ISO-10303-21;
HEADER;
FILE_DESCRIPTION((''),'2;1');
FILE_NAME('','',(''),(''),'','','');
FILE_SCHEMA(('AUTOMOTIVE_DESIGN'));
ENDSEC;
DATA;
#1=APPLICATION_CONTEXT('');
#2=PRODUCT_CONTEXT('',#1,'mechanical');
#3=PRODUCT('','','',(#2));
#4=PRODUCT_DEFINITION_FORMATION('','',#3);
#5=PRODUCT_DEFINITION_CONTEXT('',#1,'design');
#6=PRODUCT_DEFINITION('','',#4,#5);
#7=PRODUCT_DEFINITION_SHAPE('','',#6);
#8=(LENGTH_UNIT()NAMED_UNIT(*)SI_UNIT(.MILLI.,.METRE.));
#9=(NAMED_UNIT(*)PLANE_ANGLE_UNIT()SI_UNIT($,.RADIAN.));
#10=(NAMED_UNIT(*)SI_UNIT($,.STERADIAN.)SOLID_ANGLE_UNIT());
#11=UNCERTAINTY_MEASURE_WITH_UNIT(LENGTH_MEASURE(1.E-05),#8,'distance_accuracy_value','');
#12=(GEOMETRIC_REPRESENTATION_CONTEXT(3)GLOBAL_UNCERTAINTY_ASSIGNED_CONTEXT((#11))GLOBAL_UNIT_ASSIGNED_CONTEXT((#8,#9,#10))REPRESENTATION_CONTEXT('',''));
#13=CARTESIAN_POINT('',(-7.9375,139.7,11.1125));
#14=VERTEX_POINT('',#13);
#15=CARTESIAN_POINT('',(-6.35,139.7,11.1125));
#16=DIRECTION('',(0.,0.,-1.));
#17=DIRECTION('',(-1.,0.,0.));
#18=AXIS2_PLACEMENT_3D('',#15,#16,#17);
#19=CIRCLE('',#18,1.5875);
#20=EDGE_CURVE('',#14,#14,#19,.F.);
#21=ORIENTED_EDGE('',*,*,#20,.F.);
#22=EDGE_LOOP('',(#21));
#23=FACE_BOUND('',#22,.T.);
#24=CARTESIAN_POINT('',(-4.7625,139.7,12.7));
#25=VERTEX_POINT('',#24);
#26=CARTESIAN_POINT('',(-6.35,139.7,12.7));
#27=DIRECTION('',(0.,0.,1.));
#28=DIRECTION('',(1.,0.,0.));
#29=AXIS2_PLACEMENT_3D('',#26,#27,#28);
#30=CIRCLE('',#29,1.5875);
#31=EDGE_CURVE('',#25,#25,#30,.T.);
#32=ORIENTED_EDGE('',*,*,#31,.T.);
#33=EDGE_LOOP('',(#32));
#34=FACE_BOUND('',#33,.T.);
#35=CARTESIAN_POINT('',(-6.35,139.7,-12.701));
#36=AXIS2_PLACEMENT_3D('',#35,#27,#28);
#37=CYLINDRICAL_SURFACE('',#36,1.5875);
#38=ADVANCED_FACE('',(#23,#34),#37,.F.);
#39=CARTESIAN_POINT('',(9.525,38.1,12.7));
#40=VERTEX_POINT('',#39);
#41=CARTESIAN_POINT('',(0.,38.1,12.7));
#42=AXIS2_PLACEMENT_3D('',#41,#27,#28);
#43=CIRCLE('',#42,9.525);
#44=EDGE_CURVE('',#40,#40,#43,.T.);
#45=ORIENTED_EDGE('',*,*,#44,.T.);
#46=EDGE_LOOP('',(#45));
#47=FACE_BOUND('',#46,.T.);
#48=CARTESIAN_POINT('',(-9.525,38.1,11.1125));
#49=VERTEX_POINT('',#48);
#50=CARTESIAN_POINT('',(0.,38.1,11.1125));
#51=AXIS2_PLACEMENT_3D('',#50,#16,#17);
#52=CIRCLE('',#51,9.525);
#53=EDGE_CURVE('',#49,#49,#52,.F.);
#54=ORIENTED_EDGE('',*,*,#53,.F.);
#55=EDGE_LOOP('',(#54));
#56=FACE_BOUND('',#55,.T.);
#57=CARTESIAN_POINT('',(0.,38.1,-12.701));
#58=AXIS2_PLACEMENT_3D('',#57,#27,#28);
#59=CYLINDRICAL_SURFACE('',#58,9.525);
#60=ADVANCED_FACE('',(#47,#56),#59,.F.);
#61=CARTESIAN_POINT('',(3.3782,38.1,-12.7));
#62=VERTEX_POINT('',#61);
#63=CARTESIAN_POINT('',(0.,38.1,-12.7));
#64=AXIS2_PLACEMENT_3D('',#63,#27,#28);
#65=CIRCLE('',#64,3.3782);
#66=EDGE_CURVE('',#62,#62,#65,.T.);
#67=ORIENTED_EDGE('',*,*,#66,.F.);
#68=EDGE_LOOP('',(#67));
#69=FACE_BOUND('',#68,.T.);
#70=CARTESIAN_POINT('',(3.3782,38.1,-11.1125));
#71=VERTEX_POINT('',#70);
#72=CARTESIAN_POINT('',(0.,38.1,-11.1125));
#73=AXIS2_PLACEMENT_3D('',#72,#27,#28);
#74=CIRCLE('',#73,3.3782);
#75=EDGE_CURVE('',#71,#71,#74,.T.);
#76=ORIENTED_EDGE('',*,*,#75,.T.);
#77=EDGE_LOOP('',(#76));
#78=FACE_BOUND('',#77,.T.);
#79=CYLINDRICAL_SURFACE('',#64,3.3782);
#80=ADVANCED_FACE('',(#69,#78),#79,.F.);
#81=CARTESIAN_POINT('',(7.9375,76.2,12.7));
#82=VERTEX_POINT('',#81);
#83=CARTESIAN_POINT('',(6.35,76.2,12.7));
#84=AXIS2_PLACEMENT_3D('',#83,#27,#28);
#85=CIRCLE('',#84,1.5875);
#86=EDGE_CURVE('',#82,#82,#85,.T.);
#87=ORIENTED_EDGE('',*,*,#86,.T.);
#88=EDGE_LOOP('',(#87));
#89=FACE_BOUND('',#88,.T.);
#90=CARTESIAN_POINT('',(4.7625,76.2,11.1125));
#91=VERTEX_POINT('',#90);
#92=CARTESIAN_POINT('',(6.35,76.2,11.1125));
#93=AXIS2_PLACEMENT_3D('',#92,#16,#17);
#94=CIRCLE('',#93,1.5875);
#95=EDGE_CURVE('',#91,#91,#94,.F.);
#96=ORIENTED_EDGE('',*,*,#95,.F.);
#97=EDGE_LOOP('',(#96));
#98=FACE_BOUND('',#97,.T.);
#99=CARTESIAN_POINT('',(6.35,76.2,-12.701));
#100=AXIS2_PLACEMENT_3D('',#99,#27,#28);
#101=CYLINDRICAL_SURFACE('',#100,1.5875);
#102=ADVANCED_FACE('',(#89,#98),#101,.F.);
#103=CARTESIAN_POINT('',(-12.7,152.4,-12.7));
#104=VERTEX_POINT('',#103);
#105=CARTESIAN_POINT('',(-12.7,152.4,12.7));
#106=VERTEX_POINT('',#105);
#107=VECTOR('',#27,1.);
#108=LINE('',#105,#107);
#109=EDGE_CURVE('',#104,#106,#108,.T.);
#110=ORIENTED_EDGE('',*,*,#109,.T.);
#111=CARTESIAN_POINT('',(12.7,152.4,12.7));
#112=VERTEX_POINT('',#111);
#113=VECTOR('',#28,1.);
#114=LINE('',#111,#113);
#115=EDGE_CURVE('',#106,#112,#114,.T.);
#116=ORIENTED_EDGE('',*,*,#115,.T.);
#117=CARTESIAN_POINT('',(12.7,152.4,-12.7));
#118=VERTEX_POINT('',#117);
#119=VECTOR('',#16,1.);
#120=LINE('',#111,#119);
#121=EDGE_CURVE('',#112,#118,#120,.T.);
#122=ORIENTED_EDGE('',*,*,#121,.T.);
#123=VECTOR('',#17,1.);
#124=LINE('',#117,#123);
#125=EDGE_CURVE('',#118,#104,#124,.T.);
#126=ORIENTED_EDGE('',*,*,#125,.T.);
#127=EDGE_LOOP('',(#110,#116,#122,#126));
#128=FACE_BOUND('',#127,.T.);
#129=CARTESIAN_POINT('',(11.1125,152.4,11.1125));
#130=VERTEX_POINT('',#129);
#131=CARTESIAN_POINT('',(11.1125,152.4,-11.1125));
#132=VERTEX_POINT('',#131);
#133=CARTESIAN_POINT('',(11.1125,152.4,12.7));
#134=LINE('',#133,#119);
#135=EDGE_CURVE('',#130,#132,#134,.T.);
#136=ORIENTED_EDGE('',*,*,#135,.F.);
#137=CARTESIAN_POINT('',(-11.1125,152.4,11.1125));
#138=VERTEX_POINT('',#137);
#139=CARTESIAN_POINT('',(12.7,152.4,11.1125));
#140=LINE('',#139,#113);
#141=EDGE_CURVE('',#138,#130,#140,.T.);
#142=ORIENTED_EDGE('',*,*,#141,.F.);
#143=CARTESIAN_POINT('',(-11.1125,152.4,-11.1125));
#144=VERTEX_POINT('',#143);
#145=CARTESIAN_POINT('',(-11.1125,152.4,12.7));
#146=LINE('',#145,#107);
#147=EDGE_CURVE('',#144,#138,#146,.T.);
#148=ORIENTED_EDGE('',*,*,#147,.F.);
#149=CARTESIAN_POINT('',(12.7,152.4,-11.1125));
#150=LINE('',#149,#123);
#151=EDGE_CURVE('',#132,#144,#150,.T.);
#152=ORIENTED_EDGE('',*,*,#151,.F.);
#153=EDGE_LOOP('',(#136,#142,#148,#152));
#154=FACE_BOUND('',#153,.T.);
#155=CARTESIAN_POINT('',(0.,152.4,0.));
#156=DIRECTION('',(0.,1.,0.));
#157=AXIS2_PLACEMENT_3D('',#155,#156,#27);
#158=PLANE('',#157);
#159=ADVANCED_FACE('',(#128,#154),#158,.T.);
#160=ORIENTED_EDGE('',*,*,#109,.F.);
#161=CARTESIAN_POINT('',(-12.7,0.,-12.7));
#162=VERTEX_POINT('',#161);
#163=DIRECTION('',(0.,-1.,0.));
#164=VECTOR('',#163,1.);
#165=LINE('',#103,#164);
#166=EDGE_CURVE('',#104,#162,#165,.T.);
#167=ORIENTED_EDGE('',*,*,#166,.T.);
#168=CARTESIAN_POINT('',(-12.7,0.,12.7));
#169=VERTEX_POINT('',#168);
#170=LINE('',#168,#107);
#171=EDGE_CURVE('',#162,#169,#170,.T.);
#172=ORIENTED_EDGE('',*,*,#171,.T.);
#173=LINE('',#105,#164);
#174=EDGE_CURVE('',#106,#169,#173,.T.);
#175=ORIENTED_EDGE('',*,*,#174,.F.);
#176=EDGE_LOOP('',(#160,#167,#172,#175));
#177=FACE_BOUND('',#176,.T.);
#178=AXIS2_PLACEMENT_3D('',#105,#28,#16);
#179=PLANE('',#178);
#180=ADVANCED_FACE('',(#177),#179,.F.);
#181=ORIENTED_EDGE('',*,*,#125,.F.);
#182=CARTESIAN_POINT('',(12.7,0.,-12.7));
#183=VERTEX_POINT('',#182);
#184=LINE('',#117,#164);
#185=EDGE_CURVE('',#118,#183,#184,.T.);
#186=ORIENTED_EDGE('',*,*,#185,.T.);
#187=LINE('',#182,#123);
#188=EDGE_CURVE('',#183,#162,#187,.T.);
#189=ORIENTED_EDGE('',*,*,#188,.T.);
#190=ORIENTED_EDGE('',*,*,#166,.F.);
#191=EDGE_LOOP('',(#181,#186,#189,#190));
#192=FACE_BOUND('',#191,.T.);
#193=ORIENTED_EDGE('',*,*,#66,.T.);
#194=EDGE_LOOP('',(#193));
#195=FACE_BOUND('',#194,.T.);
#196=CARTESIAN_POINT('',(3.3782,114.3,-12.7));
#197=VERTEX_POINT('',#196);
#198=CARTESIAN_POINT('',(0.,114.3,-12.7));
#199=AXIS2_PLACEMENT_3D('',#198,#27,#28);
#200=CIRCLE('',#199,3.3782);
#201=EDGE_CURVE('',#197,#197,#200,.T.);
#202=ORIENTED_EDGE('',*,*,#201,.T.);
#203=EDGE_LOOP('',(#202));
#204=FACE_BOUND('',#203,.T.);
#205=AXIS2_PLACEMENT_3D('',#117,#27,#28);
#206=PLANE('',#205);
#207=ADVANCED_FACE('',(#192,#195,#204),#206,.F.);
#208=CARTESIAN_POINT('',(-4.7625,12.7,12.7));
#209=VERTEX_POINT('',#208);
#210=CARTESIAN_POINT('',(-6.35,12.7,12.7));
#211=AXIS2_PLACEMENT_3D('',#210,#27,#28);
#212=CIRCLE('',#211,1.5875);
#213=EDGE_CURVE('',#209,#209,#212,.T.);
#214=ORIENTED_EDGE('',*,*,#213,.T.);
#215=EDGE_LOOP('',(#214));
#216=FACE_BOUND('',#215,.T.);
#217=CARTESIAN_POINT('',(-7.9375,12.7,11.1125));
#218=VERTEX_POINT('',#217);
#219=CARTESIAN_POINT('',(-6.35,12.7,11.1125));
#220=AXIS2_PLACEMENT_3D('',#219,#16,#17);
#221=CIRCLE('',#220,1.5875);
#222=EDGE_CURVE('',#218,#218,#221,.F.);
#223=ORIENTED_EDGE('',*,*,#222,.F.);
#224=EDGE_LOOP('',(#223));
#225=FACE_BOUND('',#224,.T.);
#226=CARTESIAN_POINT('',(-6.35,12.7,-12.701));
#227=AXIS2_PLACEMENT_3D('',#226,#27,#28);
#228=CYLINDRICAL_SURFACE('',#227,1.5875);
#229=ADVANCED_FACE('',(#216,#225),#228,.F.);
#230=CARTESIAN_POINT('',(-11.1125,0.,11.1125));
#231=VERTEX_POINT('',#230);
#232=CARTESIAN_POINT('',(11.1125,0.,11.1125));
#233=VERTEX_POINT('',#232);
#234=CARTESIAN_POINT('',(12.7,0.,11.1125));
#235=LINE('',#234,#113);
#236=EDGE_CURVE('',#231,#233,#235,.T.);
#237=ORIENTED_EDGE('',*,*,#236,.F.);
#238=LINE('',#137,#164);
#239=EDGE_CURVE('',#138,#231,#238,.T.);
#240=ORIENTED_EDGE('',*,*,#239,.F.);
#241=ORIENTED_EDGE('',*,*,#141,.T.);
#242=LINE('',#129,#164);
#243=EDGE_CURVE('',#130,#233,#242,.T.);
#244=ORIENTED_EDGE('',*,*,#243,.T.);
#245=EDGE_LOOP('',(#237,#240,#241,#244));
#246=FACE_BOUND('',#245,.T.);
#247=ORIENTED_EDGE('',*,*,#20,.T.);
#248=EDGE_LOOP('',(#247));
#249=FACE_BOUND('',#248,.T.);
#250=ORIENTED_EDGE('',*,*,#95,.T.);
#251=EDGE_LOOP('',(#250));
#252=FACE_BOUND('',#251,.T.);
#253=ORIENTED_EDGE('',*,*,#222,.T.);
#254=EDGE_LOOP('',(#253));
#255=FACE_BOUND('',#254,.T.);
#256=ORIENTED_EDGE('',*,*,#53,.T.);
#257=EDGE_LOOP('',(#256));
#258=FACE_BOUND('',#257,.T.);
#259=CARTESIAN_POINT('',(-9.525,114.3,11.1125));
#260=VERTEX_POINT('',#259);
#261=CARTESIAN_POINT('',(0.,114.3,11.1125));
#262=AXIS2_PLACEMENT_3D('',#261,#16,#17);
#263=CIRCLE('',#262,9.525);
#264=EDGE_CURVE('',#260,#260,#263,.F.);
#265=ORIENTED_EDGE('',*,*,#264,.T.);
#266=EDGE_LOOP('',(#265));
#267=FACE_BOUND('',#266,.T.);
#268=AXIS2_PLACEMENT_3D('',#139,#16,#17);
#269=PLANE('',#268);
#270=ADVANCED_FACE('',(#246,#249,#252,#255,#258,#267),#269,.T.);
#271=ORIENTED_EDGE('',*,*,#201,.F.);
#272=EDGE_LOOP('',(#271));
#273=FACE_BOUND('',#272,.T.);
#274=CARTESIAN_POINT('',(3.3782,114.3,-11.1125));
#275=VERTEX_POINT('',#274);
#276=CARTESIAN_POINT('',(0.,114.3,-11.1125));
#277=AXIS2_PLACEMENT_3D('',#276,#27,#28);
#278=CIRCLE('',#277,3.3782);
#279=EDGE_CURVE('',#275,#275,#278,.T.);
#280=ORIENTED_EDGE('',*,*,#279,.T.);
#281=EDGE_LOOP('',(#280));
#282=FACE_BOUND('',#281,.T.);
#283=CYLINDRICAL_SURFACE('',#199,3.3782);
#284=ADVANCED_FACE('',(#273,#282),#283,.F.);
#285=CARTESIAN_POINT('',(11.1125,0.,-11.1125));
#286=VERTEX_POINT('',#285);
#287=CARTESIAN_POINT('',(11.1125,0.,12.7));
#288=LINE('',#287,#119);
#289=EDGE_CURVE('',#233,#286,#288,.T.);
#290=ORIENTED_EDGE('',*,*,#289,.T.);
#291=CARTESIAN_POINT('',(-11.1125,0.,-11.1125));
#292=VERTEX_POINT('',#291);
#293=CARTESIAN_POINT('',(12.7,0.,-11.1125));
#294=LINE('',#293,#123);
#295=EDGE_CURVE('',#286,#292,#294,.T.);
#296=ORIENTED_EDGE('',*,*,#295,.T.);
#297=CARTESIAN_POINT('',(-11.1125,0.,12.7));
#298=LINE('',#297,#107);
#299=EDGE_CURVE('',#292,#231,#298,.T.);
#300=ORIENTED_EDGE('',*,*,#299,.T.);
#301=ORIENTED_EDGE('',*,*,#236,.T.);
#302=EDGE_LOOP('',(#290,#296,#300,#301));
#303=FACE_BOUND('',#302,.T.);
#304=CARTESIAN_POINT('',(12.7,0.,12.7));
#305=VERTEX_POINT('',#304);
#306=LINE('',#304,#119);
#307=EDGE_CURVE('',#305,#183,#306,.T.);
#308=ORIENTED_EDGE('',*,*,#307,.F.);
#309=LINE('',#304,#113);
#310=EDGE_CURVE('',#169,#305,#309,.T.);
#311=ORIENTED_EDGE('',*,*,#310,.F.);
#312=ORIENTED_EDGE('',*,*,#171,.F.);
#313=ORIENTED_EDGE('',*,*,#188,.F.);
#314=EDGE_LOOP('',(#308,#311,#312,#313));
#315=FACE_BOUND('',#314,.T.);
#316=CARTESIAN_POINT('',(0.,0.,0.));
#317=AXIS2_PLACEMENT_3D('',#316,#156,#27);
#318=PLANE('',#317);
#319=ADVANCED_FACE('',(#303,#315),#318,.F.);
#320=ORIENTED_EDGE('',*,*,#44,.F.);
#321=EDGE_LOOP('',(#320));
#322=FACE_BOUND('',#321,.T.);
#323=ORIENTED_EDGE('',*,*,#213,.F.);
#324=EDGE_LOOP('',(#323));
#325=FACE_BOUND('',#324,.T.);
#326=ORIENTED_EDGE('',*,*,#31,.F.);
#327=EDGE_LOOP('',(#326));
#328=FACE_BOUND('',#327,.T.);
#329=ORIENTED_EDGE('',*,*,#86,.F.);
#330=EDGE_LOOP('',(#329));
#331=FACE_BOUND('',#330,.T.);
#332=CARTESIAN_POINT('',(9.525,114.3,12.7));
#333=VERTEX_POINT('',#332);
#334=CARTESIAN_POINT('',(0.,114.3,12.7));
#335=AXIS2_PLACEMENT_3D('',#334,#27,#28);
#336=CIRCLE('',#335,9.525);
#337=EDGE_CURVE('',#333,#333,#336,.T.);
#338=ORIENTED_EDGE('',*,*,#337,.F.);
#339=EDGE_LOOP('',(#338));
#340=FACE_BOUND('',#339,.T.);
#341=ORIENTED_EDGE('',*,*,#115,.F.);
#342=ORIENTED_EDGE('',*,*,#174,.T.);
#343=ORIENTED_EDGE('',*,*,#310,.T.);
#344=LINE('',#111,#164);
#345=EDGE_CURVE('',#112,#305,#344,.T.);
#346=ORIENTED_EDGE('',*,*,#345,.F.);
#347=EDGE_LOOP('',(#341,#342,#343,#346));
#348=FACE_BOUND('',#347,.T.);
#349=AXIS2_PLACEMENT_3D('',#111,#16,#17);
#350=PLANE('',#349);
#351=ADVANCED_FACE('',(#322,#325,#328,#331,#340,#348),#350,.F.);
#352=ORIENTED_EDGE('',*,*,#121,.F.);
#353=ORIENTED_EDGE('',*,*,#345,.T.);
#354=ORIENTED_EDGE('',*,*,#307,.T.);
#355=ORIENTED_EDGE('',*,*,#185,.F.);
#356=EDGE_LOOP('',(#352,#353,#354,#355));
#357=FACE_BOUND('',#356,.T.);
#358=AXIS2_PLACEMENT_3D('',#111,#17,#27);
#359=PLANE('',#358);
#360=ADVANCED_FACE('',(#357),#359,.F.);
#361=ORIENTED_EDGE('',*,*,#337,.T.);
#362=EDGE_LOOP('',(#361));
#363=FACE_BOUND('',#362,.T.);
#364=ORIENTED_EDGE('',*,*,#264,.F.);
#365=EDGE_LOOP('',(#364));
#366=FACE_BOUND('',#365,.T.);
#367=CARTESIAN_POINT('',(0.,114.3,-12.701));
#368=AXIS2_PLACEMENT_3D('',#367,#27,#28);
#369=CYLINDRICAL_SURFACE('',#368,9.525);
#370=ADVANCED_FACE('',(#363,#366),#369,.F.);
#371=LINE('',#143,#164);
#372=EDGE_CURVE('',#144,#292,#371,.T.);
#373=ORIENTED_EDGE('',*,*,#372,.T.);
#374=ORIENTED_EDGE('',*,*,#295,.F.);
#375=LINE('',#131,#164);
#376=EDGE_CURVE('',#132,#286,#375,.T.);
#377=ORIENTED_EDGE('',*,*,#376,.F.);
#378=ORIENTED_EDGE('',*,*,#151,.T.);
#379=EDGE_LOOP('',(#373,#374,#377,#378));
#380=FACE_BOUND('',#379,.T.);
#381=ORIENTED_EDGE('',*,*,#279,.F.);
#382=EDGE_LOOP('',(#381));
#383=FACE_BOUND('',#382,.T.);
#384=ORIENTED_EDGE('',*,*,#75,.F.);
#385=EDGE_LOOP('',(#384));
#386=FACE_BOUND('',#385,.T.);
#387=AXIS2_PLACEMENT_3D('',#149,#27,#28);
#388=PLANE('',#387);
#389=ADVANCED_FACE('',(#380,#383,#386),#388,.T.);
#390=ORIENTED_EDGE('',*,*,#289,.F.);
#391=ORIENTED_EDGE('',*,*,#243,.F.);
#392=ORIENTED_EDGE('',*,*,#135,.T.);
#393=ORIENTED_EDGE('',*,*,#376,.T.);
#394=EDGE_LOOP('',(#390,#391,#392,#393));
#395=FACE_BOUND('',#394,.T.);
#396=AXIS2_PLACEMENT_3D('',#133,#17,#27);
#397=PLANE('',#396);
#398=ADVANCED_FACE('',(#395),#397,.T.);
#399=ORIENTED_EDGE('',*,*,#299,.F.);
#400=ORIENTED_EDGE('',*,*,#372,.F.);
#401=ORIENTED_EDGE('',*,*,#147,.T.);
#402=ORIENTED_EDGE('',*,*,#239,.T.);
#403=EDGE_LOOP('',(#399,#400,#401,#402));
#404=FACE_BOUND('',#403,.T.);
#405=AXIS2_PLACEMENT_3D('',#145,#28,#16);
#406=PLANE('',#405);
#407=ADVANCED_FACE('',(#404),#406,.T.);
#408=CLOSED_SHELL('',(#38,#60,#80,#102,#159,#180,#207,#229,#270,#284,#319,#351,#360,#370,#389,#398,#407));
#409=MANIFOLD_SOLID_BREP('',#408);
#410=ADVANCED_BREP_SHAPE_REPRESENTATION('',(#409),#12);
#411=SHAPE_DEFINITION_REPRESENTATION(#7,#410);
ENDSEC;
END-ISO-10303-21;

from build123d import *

# Parameters (mm, degrees)
SKETCH1_W           = 25.4
SKETCH1_H           = 25.4
SKETCH1_W_2         = 22.225
SKETCH1_H_2         = 22.225
EXTRUDE_THIN1_DEPTH = 152.4
CUT_EXTRUDE1_REACH  = 27.4
SKETCH2_R           = 9.525
SKETCH2_R_2         = 1.5875
SKETCH4_R           = 3.3782
CUT_EXTRUDE2_DEPTH  = 2.5875


with BuildPart() as part:
    # Sketch1 → Extrude-Thin1 (new body)
    with BuildSketch(Plane(origin=(0, 0, 0), x_dir=(1, 0, 0), z_dir=(0, 1, 0))):
        Rectangle(SKETCH1_W, SKETCH1_H)
        Rectangle(SKETCH1_W_2, SKETCH1_H_2, mode=Mode.SUBTRACT)
    extrude(amount=EXTRUDE_THIN1_DEPTH)

    # Sketch2 → Cut-Extrude1 (cut, up to next)
    with BuildSketch(Plane.XY.offset(12.7), mode=Mode.PRIVATE) as cut_extrude1_sk1:
        with Locations((0, 114.3)):
            Circle(SKETCH2_R)
    cut_extrude1_tool1 = extrude(cut_extrude1_sk1.sketch, amount=-CUT_EXTRUDE1_REACH, mode=Mode.PRIVATE) & part.part
    add(cut_extrude1_tool1.solids().sort_by_distance((0, 114.3, 12.7))[0], mode=Mode.SUBTRACT)
    # Sketch2 → Cut-Extrude1 (cut, up to next)
    with BuildSketch(Plane.XY.offset(12.7), mode=Mode.PRIVATE) as cut_extrude1_sk2:
        with Locations((0, 38.1)):
            Circle(SKETCH2_R)
    cut_extrude1_tool2 = extrude(cut_extrude1_sk2.sketch, amount=-CUT_EXTRUDE1_REACH, mode=Mode.PRIVATE) & part.part
    add(cut_extrude1_tool2.solids().sort_by_distance((0, 38.1, 12.7))[0], mode=Mode.SUBTRACT)
    # Sketch2 → Cut-Extrude1 (cut, up to next)
    with BuildSketch(Plane.XY.offset(12.7), mode=Mode.PRIVATE) as cut_extrude1_sk3:
        with Locations((-6.35, 139.7)):
            Circle(SKETCH2_R_2)
    cut_extrude1_tool3 = extrude(cut_extrude1_sk3.sketch, amount=-CUT_EXTRUDE1_REACH, mode=Mode.PRIVATE) & part.part
    add(cut_extrude1_tool3.solids().sort_by_distance((-6.35, 139.7, 12.7))[0], mode=Mode.SUBTRACT)
    # Sketch2 → Cut-Extrude1 (cut, up to next)
    with BuildSketch(Plane.XY.offset(12.7), mode=Mode.PRIVATE) as cut_extrude1_sk4:
        with Locations((6.35, 76.2)):
            Circle(SKETCH2_R_2)
    cut_extrude1_tool4 = extrude(cut_extrude1_sk4.sketch, amount=-CUT_EXTRUDE1_REACH, mode=Mode.PRIVATE) & part.part
    add(cut_extrude1_tool4.solids().sort_by_distance((6.35, 76.2, 12.7))[0], mode=Mode.SUBTRACT)
    # Sketch2 → Cut-Extrude1 (cut, up to next)
    with BuildSketch(Plane.XY.offset(12.7), mode=Mode.PRIVATE) as cut_extrude1_sk5:
        with Locations((-6.35, 12.7)):
            Circle(SKETCH2_R_2)
    cut_extrude1_tool5 = extrude(cut_extrude1_sk5.sketch, amount=-CUT_EXTRUDE1_REACH, mode=Mode.PRIVATE) & part.part
    add(cut_extrude1_tool5.solids().sort_by_distance((-6.35, 12.7, 12.7))[0], mode=Mode.SUBTRACT)

    # Sketch4 → Cut-Extrude2 (cut, through all)
    with BuildSketch(Plane.XY.offset(-11.1125)):
        with Locations((0, 114.3)):
            Circle(SKETCH4_R)
        with Locations((0, 38.1)):
            Circle(SKETCH4_R)
    extrude(amount=-CUT_EXTRUDE2_DEPTH, mode=Mode.SUBTRACT)


solid = part.part
